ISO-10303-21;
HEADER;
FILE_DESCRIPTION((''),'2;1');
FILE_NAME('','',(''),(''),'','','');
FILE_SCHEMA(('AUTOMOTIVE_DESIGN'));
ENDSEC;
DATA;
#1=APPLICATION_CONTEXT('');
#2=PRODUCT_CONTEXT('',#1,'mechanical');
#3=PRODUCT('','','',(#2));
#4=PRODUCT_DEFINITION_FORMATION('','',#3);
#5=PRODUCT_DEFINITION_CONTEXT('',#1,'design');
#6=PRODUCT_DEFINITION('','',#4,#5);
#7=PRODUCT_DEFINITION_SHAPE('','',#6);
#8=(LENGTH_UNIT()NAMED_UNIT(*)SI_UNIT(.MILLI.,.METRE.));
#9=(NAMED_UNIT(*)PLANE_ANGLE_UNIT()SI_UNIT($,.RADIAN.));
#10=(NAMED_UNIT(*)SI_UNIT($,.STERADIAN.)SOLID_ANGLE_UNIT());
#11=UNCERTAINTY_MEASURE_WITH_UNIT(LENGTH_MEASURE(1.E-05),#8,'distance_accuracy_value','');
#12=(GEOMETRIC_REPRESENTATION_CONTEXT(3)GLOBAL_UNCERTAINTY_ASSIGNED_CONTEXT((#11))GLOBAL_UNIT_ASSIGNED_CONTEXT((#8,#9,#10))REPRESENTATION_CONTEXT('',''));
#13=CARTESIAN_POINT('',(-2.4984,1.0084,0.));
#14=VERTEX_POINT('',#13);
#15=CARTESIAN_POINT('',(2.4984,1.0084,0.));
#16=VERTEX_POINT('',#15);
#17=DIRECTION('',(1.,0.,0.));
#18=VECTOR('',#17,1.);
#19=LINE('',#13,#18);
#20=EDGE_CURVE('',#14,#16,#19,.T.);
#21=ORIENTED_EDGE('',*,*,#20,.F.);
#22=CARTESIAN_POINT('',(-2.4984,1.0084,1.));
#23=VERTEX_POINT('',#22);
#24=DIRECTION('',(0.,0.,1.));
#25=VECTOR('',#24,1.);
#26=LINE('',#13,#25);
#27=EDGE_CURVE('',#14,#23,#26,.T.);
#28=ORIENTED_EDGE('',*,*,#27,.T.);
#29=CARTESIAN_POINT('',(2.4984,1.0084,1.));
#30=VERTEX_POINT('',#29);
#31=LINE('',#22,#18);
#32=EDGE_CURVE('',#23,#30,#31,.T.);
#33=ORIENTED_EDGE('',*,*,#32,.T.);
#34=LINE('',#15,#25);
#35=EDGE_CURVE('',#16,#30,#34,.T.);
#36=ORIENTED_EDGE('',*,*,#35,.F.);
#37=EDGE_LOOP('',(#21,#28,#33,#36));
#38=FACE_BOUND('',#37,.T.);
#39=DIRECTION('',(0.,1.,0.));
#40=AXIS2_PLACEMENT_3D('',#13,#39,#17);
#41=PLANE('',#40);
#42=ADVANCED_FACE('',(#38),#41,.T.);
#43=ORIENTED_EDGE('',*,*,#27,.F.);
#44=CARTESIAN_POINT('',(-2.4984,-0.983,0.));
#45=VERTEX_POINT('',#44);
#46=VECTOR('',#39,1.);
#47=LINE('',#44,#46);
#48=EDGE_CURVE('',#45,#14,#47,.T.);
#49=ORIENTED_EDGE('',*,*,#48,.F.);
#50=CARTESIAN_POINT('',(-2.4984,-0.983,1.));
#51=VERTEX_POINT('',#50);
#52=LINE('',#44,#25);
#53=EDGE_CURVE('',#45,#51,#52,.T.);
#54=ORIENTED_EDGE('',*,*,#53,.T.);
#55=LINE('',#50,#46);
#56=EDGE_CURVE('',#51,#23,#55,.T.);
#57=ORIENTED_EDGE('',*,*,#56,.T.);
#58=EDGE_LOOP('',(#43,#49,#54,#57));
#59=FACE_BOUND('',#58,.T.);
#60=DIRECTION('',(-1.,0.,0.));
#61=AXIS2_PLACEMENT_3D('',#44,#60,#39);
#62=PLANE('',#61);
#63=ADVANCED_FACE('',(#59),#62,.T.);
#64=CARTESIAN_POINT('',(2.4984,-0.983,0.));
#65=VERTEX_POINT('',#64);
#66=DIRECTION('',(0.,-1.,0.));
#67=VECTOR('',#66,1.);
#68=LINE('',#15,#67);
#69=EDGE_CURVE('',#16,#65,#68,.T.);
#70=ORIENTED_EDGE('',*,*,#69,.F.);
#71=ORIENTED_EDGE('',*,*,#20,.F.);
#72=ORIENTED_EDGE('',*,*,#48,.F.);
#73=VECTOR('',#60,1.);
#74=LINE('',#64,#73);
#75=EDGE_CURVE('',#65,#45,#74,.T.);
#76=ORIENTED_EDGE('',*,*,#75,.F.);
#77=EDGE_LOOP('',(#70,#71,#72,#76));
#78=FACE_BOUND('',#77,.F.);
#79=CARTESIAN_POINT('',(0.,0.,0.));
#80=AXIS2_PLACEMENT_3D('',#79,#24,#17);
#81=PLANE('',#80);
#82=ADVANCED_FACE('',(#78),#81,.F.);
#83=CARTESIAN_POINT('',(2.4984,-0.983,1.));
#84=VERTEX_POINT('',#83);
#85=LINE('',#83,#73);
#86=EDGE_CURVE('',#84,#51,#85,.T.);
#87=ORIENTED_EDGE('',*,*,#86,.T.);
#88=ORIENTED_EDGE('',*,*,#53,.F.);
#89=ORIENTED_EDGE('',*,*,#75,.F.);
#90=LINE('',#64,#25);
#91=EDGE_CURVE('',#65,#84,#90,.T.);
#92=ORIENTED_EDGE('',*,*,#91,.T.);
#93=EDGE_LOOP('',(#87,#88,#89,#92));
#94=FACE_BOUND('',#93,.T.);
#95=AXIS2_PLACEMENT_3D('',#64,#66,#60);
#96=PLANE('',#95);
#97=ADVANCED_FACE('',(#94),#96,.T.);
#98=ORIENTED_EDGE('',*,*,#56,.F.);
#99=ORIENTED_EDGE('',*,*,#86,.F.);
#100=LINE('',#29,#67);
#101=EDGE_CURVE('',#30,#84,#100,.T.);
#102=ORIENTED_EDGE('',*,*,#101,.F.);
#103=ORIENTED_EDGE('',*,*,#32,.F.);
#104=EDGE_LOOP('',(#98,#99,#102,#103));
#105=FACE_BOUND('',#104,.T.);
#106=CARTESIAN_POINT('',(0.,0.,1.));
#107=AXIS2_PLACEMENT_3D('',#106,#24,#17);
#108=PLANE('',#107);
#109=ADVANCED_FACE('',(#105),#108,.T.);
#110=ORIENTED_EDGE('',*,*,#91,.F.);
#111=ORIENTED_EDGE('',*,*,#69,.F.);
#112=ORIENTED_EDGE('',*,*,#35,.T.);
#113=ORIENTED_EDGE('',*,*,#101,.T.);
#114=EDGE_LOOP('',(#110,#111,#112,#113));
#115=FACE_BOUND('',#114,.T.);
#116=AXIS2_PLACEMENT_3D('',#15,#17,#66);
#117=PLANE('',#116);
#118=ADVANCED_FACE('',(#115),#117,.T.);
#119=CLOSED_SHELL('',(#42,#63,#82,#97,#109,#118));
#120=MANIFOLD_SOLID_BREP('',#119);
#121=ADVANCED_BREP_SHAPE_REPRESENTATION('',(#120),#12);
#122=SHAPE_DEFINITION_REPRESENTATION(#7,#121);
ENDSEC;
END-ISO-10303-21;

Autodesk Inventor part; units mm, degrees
ref_plane "YZ Plane" through (0, 0, 0) normal (1, 0, 0) x (0, 1, 0)
ref_plane "XZ Plane" through (0, 0, 0) normal (0, 1, 0) x (-1, 0, 0)
ref_plane "XY Plane" through (0, 0, 0) normal (0, 0, 1) x (1, 0, 0)
sketch "C3216, 0_1U_17" plane through (0, 0, 0) normal (0, 0, 1) x (1, 0, 0)
  line L0 (-2.4984, 1.0084) -> (2.4984, 1.0084)
  line L1 (2.4984, 1.0084) -> (2.4984, -0.983)
  line L2 (2.4984, -0.983) -> (-2.4984, -0.983)
  line L3 (-2.4984, -0.983) -> (-2.4984, 1.0084)
extrude "Extrusion1" add sketch "C3216, 0_1U_17" along normal blind 1
properties part number "0_1U"
